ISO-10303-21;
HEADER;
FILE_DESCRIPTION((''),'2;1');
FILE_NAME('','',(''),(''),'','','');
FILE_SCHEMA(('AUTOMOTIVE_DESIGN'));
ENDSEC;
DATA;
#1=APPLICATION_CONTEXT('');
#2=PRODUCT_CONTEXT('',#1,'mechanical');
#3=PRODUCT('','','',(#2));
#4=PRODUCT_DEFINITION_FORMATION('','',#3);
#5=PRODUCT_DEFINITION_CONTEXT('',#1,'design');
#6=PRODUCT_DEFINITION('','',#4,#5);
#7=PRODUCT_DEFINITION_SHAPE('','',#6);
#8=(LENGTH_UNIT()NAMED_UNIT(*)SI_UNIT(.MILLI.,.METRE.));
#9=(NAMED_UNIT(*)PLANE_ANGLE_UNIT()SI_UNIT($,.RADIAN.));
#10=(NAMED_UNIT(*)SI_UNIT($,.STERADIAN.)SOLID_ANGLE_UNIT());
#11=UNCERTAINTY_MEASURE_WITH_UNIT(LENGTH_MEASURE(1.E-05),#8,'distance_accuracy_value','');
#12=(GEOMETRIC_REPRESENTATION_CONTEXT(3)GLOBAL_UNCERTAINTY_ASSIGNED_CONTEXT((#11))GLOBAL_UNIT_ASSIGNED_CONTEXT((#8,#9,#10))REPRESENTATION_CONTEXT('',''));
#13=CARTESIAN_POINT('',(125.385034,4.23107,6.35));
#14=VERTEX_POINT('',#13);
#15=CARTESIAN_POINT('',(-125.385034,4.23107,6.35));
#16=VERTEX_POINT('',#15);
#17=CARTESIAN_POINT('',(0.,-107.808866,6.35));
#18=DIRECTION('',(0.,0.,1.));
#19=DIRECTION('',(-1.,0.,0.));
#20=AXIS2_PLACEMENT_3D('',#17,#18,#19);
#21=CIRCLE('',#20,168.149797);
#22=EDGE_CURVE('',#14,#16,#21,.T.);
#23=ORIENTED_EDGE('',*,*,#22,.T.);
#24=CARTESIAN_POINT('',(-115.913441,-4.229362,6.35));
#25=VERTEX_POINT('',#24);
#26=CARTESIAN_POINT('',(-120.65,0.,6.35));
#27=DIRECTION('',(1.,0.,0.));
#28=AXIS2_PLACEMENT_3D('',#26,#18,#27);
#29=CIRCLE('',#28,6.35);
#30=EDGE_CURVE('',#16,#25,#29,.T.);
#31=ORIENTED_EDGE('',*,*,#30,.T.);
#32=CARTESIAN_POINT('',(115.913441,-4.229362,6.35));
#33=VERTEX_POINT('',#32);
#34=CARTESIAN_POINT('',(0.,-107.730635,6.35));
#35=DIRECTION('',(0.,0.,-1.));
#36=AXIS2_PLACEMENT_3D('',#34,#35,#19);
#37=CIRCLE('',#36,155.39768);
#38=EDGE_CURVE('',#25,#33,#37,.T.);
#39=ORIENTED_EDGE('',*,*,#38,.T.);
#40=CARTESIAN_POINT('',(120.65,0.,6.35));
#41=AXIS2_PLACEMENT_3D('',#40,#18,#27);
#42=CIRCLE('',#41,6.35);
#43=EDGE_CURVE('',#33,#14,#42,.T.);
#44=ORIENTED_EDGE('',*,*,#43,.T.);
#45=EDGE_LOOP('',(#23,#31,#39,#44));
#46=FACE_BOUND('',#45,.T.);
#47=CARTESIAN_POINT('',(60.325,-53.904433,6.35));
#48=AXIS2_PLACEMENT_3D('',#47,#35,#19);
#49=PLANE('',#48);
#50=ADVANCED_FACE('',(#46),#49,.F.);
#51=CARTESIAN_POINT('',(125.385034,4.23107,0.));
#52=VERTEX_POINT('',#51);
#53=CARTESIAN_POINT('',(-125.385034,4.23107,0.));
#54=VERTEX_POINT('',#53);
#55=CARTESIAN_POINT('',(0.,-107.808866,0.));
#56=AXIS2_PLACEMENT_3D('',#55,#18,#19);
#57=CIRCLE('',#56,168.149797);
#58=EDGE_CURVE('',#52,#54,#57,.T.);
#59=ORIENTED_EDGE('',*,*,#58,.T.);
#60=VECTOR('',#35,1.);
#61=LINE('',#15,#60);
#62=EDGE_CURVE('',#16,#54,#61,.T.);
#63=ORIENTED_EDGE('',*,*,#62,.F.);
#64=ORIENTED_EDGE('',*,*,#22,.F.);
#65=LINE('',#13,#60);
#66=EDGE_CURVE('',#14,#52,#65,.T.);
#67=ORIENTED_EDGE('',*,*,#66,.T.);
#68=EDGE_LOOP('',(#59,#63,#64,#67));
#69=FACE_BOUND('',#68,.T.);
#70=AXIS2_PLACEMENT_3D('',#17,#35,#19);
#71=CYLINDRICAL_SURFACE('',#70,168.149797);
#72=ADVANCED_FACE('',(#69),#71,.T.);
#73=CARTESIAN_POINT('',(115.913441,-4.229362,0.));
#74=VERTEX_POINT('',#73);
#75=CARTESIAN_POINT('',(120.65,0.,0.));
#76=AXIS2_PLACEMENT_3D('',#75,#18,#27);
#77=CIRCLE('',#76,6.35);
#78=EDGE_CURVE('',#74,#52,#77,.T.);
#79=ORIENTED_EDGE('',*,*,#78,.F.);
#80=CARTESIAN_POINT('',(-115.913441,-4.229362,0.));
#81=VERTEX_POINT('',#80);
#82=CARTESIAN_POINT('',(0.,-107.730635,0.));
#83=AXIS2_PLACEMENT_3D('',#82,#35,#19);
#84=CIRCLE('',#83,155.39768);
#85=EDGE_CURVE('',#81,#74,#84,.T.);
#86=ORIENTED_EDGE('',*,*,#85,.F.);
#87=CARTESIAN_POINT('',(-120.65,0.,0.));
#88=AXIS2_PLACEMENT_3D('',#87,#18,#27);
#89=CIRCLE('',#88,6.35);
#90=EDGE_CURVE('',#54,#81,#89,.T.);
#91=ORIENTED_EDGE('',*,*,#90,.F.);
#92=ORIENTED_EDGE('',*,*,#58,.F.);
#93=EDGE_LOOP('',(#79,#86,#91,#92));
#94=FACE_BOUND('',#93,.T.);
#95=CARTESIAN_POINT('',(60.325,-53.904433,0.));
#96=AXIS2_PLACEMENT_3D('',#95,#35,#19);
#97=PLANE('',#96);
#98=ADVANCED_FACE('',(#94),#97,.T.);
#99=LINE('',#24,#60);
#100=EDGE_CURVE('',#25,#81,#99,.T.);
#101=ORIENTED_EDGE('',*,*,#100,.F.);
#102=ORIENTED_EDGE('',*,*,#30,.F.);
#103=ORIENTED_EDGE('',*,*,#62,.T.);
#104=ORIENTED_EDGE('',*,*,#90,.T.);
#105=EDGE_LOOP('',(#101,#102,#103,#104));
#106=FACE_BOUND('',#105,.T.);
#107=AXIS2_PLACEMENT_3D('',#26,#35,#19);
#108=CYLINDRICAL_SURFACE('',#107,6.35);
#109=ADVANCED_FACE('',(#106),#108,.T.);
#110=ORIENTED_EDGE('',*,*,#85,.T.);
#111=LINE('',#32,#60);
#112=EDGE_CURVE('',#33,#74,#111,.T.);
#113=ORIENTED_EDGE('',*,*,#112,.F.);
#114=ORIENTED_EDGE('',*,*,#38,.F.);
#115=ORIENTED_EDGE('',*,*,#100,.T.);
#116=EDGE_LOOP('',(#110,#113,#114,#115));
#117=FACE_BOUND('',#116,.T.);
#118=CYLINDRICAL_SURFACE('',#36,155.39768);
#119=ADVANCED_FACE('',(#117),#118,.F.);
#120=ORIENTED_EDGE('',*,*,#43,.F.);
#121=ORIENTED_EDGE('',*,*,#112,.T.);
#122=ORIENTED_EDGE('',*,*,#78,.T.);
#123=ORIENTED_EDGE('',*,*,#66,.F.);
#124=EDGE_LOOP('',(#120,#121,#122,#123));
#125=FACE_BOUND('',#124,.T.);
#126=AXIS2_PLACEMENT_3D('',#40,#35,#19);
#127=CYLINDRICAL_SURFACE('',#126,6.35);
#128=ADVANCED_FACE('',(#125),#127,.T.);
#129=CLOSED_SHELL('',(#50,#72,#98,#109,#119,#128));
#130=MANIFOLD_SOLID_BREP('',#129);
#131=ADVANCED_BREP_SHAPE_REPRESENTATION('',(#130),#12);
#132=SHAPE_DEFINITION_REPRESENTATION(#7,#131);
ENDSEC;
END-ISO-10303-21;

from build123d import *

# Parameters (mm, degrees)
SALIENTE_EXTRUIR1_DEPTH = 6.35


with BuildPart() as part:
    # Croquis1 → Saliente-Extruir1 (new body)
    with BuildSketch(Plane.XY):
        with BuildLine():
            ThreePointArc((-125.385033765, 4.231070225), (-124.880216294, -4.735796671), (-115.913440577, -4.229362225))
            ThreePointArc((-115.913440577, -4.229362225), (0, 47.667045852), (115.913440577, -4.229362225))
            ThreePointArc((115.913440577, -4.229362225), (124.880216294, -4.735796671), (125.385033765, 4.231070225))
            ThreePointArc((125.385033765, 4.231070225), (0, 60.340930176), (-125.385033765, 4.231070225))
        make_face()
    extrude(amount=SALIENTE_EXTRUIR1_DEPTH)


solid = part.part
